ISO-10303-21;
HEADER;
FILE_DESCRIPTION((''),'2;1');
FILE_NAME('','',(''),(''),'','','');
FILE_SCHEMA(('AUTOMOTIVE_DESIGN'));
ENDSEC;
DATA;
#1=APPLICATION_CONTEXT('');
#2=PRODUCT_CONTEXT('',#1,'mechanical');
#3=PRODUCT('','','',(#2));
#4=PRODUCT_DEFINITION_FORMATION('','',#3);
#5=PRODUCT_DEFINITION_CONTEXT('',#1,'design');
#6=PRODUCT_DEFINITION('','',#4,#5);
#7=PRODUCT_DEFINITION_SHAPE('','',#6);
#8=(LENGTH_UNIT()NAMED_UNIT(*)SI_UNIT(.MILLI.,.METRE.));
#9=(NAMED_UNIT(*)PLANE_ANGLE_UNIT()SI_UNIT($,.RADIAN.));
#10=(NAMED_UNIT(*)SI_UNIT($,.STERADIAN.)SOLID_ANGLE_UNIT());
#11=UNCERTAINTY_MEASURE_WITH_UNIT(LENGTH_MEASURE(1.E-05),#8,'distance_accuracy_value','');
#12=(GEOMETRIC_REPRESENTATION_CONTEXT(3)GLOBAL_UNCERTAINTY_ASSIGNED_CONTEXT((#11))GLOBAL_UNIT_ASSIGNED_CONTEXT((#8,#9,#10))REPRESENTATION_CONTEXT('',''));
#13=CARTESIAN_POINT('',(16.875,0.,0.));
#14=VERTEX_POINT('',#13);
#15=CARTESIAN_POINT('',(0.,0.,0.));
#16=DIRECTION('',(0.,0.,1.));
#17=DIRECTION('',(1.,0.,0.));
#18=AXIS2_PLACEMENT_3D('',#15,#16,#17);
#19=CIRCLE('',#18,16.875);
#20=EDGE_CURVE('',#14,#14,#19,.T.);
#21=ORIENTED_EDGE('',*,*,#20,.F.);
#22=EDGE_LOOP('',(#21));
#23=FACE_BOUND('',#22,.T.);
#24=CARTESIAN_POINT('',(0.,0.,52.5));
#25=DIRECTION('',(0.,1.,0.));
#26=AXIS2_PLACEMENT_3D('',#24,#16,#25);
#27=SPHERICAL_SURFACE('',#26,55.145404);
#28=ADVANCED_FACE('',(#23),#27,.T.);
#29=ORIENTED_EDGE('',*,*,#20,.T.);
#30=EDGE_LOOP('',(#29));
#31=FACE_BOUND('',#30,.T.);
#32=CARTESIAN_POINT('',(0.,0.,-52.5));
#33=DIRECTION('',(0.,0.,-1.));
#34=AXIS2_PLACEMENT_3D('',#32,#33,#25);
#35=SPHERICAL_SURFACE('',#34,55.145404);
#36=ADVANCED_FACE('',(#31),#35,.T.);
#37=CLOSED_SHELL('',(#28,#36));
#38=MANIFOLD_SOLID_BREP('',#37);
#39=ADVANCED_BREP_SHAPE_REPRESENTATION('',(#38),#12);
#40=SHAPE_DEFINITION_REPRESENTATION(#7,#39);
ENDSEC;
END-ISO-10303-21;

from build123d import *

# Parameters (mm, degrees)
SCALE1_SCALE = 0.75


with BuildPart() as part:
    # Sketch1 → Revolve1 (revolve)
    with BuildSketch(Plane(origin=(0, 0, 0), x_dir=(0, 0, -1), z_dir=(1, 0, 0))):
        with BuildLine():
            Line((0, 0), (0, 22.5))
            ThreePointArc((0, 22.5), (2.640052345, 11.387396334), (3.527205849, 0))
            Line((3.527205849, 0), (0, 0))
        make_face()
    revolve1 = revolve(axis=Axis((0, 0, 34.553258587), (0, 0, -1)))

    # Mirror1: Revolve1 across plane
    add(revolve1.mirror(Plane.XY))


with BuildPart() as part_1:
    # Scale1: scaled about (0, 0, 0)
    add(part.part.scale(SCALE1_SCALE))


solid = part_1.part
